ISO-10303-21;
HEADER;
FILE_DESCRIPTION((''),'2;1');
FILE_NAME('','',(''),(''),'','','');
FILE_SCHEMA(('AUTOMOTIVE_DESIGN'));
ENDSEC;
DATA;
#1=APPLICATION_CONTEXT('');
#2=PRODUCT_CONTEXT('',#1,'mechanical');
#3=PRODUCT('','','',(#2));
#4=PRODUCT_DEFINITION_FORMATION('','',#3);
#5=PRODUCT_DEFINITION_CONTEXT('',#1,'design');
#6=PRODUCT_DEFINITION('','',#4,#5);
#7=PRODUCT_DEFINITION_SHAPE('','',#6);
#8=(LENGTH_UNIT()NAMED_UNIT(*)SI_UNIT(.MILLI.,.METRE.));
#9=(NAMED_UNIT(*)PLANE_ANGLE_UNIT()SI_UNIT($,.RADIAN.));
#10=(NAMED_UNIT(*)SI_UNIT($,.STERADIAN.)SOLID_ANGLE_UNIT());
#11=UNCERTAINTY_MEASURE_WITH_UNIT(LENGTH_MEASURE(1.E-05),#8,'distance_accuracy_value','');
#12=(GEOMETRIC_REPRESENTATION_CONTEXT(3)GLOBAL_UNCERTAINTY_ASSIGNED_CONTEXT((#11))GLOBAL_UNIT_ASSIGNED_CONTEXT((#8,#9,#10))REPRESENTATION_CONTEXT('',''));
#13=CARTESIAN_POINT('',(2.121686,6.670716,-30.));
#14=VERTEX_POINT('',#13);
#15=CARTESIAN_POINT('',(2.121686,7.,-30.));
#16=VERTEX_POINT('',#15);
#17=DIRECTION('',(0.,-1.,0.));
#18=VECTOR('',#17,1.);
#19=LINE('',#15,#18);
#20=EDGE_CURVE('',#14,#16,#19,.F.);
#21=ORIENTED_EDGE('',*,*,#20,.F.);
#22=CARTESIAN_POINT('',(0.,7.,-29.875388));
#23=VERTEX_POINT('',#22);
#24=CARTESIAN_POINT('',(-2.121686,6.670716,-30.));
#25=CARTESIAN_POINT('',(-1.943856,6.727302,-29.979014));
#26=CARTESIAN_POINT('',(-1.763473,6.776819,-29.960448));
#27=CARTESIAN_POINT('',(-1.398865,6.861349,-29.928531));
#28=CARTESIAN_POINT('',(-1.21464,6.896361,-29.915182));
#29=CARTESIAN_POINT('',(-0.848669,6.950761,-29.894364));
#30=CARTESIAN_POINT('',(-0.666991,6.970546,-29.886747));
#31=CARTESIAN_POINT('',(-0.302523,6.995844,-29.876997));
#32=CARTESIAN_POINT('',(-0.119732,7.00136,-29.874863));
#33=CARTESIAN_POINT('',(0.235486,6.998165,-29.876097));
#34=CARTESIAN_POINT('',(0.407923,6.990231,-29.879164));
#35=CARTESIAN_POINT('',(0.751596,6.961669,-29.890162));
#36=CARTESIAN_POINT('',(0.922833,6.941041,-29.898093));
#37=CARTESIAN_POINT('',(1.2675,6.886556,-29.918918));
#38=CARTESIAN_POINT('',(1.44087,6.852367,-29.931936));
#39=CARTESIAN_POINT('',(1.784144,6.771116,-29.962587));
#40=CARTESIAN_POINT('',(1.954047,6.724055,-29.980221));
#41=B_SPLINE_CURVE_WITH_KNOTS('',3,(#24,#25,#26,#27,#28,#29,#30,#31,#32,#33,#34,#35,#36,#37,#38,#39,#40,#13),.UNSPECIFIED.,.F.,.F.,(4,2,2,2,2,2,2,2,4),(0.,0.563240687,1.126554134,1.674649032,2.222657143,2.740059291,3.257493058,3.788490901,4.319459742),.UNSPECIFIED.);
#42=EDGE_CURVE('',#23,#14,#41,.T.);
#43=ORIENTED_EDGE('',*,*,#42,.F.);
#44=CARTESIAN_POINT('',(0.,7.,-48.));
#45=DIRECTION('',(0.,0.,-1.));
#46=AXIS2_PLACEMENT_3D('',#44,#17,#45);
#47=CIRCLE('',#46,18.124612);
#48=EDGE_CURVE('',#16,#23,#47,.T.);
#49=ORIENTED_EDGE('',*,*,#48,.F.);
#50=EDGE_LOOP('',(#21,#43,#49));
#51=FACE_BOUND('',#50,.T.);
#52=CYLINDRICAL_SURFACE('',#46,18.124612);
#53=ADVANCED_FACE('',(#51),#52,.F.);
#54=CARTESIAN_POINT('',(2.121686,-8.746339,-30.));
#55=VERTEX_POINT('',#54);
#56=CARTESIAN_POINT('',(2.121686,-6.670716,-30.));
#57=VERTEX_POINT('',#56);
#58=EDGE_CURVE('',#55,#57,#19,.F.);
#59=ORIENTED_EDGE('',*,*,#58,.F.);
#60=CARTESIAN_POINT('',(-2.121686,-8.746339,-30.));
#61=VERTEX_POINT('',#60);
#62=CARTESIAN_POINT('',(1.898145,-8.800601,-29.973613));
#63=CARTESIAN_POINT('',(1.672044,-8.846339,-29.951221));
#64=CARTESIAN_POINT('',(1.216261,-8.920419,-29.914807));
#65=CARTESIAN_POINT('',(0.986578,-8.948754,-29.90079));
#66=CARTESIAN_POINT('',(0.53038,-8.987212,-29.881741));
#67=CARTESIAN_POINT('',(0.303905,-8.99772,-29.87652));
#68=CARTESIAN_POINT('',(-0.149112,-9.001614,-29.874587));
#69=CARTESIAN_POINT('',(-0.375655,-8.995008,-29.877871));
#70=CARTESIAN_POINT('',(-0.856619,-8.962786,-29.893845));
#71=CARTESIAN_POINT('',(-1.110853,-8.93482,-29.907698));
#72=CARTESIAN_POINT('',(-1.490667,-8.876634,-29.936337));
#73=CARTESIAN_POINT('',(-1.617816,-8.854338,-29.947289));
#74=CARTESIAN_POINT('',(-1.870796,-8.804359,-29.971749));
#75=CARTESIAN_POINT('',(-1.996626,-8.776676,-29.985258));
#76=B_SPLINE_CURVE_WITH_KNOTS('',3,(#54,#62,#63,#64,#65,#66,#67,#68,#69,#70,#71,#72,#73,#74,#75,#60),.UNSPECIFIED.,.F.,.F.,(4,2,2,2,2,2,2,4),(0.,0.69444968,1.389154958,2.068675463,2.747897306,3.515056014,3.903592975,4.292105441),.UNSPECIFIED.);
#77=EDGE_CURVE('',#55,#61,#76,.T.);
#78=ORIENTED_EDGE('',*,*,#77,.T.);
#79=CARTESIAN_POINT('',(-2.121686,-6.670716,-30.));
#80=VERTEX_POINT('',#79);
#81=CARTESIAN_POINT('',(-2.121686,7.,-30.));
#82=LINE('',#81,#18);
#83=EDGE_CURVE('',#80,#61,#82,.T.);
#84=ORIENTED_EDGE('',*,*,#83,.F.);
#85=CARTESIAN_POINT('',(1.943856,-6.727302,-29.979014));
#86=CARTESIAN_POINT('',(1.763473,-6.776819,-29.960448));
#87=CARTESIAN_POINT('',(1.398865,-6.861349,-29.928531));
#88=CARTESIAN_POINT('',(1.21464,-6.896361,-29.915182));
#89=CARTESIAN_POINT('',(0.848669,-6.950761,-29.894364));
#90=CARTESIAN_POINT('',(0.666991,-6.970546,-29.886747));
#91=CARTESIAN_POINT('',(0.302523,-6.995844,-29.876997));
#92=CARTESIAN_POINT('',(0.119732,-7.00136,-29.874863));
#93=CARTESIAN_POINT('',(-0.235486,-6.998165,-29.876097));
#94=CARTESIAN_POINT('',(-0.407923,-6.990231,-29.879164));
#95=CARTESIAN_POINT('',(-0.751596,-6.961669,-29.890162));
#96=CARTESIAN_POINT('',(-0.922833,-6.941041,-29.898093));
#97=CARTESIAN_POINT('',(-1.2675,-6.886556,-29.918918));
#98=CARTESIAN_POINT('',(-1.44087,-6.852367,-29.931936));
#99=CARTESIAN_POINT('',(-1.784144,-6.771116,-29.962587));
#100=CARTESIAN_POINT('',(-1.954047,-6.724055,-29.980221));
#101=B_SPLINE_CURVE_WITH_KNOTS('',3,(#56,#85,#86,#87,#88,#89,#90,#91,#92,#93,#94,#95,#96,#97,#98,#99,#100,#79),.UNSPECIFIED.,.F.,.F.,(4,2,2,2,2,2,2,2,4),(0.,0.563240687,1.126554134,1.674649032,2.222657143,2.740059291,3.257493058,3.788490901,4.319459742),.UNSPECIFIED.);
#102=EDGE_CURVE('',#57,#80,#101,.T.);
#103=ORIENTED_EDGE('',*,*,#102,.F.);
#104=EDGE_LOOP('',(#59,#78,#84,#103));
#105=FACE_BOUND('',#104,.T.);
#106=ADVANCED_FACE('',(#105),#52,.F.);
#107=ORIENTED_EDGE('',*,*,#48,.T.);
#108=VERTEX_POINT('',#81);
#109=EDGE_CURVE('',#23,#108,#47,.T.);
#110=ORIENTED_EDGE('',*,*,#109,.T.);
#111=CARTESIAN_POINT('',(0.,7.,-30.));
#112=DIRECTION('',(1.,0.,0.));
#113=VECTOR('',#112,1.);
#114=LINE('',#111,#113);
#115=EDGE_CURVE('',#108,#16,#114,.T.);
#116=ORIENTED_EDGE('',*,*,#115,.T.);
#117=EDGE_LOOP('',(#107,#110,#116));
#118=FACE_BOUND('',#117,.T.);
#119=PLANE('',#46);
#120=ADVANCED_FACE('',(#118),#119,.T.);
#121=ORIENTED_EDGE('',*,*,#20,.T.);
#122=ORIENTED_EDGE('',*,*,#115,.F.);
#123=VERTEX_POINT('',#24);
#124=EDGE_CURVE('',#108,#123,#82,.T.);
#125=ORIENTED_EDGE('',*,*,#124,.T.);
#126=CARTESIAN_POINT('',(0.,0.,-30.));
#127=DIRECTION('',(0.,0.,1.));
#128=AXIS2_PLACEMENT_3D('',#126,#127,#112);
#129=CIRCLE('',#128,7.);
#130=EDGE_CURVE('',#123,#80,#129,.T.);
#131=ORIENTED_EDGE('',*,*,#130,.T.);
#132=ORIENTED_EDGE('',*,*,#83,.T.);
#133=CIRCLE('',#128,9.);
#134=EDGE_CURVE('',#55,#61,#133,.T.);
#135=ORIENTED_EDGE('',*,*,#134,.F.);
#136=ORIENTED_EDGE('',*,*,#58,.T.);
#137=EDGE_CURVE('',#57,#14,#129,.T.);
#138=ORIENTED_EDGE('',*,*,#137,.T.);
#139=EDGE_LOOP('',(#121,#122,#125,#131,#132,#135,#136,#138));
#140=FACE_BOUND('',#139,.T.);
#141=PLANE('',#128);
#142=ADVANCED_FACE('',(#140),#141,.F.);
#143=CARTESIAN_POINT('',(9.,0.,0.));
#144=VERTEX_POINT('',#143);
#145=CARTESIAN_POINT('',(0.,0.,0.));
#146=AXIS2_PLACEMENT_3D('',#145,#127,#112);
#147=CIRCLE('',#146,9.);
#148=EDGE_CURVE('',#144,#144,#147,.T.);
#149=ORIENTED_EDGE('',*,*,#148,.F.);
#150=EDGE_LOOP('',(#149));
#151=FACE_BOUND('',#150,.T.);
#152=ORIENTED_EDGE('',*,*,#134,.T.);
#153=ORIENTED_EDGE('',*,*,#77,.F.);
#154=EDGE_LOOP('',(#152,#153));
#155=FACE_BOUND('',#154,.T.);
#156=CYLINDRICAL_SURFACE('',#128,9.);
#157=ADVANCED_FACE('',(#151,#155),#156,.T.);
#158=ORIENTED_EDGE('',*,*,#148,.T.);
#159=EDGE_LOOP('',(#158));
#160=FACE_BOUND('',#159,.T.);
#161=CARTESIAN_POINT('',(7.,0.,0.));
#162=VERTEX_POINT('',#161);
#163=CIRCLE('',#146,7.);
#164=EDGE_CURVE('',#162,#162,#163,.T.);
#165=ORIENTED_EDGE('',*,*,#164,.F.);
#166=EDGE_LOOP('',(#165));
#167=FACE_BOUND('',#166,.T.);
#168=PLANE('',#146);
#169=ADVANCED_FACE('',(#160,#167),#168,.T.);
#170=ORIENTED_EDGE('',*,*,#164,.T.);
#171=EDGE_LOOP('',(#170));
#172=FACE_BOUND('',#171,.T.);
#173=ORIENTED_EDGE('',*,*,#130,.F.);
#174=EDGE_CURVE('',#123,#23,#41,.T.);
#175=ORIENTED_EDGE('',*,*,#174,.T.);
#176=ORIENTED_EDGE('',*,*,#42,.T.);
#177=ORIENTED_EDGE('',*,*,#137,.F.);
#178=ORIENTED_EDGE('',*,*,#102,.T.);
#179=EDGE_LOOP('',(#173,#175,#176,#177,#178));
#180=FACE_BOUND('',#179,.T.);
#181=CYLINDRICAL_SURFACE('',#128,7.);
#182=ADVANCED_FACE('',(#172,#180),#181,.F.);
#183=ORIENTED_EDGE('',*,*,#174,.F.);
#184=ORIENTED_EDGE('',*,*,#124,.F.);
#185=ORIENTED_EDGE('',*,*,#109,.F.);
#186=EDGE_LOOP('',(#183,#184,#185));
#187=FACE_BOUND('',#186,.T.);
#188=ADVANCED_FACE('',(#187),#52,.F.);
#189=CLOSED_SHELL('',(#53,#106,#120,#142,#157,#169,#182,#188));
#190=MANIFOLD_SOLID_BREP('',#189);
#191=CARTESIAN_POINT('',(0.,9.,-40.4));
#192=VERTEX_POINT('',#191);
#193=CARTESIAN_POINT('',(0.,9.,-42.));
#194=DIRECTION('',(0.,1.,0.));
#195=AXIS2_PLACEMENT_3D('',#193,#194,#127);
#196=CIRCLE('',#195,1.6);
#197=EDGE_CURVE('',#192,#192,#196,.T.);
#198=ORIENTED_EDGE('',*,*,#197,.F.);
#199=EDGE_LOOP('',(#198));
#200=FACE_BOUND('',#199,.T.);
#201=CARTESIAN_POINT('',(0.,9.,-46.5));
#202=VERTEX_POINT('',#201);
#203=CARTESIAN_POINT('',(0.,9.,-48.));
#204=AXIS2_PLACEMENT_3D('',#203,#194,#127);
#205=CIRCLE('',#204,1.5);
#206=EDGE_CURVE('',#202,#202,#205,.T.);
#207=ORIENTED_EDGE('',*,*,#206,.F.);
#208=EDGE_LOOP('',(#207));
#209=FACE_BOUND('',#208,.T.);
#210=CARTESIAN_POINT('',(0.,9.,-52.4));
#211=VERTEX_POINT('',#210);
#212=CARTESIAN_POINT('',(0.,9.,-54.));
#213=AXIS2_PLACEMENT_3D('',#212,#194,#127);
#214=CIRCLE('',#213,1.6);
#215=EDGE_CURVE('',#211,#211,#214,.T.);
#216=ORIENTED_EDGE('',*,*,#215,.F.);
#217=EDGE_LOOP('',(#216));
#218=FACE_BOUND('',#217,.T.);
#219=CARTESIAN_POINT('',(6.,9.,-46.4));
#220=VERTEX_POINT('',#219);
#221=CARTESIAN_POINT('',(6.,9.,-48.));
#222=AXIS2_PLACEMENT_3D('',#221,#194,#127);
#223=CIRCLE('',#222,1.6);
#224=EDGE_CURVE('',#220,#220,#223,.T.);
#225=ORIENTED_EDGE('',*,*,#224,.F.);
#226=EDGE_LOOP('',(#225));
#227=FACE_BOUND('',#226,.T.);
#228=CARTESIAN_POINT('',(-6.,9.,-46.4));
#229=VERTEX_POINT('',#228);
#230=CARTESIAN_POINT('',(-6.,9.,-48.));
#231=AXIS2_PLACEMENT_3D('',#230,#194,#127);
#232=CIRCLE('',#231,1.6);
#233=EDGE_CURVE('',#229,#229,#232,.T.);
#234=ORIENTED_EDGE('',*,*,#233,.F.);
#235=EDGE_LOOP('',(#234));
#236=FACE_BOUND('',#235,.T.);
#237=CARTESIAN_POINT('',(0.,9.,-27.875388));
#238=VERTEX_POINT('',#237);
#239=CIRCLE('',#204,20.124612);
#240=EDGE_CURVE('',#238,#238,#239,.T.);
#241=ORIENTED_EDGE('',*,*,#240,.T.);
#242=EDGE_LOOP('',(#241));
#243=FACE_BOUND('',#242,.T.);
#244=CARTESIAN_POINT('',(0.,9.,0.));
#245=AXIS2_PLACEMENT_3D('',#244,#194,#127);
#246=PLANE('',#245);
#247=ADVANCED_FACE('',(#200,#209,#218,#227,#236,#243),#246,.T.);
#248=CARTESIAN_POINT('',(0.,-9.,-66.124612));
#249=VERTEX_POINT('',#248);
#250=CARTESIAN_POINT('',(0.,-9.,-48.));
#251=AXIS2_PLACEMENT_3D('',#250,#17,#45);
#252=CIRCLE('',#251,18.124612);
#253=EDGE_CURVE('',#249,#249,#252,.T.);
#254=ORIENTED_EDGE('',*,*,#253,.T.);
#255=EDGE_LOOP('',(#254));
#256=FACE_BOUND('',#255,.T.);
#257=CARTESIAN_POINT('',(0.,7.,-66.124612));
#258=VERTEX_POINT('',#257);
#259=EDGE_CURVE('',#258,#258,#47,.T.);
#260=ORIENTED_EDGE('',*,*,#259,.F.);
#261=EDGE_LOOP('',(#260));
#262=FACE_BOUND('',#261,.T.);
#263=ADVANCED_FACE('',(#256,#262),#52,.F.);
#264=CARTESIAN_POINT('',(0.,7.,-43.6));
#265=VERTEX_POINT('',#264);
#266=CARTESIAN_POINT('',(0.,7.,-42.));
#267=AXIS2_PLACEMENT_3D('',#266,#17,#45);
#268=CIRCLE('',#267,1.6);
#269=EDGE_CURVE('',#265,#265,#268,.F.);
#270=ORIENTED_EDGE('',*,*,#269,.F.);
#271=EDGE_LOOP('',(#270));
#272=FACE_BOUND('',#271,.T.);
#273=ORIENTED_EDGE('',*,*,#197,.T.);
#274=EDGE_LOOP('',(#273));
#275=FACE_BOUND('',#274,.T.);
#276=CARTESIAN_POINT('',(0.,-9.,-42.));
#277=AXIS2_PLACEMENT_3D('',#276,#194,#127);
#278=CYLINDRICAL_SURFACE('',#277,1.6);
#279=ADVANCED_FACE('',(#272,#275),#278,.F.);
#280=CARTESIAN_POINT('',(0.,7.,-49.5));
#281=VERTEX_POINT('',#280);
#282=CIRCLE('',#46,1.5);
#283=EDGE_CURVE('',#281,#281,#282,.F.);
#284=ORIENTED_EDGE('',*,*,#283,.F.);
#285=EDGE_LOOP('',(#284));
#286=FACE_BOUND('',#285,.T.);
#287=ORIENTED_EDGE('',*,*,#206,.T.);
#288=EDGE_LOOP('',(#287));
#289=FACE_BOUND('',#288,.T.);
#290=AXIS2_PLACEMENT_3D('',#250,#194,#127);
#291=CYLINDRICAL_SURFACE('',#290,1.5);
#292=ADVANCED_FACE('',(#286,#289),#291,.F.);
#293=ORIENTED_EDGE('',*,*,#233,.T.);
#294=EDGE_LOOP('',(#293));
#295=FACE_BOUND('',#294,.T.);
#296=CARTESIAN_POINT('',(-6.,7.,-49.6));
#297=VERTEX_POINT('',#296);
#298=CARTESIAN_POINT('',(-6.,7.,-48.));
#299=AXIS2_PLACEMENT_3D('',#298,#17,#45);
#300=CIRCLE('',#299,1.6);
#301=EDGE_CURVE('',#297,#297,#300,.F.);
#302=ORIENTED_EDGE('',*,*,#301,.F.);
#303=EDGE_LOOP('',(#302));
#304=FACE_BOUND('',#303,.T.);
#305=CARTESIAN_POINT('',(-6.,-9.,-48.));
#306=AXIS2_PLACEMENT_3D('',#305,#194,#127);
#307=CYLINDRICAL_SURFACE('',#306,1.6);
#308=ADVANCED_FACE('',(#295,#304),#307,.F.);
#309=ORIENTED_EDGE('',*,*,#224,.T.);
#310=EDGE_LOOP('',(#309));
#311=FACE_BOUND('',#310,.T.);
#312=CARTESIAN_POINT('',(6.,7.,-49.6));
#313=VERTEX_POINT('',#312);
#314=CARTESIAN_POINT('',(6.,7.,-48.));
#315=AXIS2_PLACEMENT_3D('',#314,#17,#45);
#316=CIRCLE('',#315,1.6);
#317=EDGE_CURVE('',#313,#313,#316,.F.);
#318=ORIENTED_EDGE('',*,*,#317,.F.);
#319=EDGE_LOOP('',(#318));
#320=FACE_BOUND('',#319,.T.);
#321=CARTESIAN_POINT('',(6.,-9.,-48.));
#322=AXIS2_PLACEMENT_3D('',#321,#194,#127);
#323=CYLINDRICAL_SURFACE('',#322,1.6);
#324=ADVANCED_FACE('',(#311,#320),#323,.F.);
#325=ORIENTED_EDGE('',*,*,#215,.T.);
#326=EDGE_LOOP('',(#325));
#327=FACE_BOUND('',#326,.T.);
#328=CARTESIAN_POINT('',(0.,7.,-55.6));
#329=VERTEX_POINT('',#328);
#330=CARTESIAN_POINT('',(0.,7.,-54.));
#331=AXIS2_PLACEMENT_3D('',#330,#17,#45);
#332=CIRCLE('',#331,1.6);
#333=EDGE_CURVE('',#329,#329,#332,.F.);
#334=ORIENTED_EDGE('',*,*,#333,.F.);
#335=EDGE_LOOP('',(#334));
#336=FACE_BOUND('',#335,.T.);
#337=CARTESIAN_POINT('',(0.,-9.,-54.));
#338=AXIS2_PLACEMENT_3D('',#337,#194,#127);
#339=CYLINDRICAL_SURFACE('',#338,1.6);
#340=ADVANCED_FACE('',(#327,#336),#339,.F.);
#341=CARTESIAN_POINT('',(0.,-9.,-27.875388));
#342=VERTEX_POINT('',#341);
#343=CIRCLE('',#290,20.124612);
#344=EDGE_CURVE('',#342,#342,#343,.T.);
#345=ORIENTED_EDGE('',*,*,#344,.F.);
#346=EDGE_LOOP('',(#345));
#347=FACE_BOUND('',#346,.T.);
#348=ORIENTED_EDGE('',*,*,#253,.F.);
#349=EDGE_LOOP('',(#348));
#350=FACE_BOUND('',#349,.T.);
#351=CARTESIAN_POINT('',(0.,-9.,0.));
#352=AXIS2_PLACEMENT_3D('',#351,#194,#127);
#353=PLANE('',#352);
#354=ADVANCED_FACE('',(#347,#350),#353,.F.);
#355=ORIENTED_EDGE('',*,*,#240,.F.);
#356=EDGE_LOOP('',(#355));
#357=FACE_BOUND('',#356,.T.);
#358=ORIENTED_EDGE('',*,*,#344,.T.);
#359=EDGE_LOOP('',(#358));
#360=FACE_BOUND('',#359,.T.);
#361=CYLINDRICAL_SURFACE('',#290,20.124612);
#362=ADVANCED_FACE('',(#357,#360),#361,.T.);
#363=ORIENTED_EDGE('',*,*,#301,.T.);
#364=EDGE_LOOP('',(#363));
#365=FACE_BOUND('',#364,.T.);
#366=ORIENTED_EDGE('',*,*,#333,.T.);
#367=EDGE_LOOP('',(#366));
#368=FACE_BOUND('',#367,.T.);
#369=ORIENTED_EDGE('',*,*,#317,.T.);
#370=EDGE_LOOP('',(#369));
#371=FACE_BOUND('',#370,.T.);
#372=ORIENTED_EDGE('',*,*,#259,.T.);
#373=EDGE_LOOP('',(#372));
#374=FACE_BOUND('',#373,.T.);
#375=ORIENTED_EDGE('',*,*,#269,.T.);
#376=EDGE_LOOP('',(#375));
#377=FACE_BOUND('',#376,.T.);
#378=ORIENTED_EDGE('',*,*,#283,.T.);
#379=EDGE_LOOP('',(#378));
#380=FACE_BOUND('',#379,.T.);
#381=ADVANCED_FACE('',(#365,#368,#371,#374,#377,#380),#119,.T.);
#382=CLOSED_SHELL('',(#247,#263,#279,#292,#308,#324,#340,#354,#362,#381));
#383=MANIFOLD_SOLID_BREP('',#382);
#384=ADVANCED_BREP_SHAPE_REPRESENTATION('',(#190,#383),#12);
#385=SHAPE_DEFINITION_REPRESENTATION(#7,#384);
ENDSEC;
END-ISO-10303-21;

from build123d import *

# Parameters (mm, degrees)
SKETCH1_R           = 9
SKETCH1_R_2         = 7
BOSS_EXTRUDE1_DEPTH = 30
BOSS_EXTRUDE2_START = 9
SKETCH3_R           = 20.124611797
SKETCH3_R_2         = 1.5
SKETCH3_R_3         = 1.6
BOSS_EXTRUDE2_DEPTH = 18
SKETCH4_R           = 18.124611797
CUT_EXTRUDE1_DEPTH  = 16


with BuildPart() as part:
    # Sketch1 → Boss-Extrude1 (new body)
    with BuildSketch(Plane.XY):
        Circle(SKETCH1_R)
        Circle(SKETCH1_R_2, mode=Mode.SUBTRACT)
    extrude(amount=-BOSS_EXTRUDE1_DEPTH)


with BuildPart() as body_2:
    # Sketch3 → Boss-Extrude2 (new body)
    with BuildSketch(Plane(origin=(0, 0, 0), x_dir=(1, 0, 0), z_dir=(0, 1, 0)).offset(BOSS_EXTRUDE2_START)):
        with Locations(Location((0, 48, 0), (0, 0, 270))):
            Circle(SKETCH3_R)
        with Locations(Location((0, 48, 0), (0, 0, 270))):
            Circle(SKETCH3_R_2, mode=Mode.SUBTRACT)
        with Locations(Location((0, 42, 0), (0, 0, 270))):
            Circle(SKETCH3_R_3, mode=Mode.SUBTRACT)
        with Locations(Location((-6, 48, 0), (0, 0, 270))):
            Circle(SKETCH3_R_3, mode=Mode.SUBTRACT)
        with Locations(Location((6, 48, 0), (0, 0, 270))):
            Circle(SKETCH3_R_3, mode=Mode.SUBTRACT)
        with Locations(Location((0, 54, 0), (0, 0, 270))):
            Circle(SKETCH3_R_3, mode=Mode.SUBTRACT)
    extrude(amount=-BOSS_EXTRUDE2_DEPTH)


with BuildPart() as cut_extrude1_tool:
    # Sketch4 → Cut-Extrude1 (new body)
    with BuildSketch(Plane.XZ.offset(9)):
        with Locations(Location((0, -48, 0), (0, 0, 270))):
            Circle(SKETCH4_R)
    extrude(amount=-CUT_EXTRUDE1_DEPTH)


with BuildPart() as part_1:
    add(part.part)

    # Cut-Extrude1: cut by cut_extrude1_tool
    add(cut_extrude1_tool.part, mode=Mode.SUBTRACT)


with BuildPart() as body_2_1:
    add(body_2.part)

    # Cut-Extrude1: cut by cut_extrude1_tool
    add(cut_extrude1_tool.part, mode=Mode.SUBTRACT)


solid = Compound([part_1.part, body_2_1.part])
